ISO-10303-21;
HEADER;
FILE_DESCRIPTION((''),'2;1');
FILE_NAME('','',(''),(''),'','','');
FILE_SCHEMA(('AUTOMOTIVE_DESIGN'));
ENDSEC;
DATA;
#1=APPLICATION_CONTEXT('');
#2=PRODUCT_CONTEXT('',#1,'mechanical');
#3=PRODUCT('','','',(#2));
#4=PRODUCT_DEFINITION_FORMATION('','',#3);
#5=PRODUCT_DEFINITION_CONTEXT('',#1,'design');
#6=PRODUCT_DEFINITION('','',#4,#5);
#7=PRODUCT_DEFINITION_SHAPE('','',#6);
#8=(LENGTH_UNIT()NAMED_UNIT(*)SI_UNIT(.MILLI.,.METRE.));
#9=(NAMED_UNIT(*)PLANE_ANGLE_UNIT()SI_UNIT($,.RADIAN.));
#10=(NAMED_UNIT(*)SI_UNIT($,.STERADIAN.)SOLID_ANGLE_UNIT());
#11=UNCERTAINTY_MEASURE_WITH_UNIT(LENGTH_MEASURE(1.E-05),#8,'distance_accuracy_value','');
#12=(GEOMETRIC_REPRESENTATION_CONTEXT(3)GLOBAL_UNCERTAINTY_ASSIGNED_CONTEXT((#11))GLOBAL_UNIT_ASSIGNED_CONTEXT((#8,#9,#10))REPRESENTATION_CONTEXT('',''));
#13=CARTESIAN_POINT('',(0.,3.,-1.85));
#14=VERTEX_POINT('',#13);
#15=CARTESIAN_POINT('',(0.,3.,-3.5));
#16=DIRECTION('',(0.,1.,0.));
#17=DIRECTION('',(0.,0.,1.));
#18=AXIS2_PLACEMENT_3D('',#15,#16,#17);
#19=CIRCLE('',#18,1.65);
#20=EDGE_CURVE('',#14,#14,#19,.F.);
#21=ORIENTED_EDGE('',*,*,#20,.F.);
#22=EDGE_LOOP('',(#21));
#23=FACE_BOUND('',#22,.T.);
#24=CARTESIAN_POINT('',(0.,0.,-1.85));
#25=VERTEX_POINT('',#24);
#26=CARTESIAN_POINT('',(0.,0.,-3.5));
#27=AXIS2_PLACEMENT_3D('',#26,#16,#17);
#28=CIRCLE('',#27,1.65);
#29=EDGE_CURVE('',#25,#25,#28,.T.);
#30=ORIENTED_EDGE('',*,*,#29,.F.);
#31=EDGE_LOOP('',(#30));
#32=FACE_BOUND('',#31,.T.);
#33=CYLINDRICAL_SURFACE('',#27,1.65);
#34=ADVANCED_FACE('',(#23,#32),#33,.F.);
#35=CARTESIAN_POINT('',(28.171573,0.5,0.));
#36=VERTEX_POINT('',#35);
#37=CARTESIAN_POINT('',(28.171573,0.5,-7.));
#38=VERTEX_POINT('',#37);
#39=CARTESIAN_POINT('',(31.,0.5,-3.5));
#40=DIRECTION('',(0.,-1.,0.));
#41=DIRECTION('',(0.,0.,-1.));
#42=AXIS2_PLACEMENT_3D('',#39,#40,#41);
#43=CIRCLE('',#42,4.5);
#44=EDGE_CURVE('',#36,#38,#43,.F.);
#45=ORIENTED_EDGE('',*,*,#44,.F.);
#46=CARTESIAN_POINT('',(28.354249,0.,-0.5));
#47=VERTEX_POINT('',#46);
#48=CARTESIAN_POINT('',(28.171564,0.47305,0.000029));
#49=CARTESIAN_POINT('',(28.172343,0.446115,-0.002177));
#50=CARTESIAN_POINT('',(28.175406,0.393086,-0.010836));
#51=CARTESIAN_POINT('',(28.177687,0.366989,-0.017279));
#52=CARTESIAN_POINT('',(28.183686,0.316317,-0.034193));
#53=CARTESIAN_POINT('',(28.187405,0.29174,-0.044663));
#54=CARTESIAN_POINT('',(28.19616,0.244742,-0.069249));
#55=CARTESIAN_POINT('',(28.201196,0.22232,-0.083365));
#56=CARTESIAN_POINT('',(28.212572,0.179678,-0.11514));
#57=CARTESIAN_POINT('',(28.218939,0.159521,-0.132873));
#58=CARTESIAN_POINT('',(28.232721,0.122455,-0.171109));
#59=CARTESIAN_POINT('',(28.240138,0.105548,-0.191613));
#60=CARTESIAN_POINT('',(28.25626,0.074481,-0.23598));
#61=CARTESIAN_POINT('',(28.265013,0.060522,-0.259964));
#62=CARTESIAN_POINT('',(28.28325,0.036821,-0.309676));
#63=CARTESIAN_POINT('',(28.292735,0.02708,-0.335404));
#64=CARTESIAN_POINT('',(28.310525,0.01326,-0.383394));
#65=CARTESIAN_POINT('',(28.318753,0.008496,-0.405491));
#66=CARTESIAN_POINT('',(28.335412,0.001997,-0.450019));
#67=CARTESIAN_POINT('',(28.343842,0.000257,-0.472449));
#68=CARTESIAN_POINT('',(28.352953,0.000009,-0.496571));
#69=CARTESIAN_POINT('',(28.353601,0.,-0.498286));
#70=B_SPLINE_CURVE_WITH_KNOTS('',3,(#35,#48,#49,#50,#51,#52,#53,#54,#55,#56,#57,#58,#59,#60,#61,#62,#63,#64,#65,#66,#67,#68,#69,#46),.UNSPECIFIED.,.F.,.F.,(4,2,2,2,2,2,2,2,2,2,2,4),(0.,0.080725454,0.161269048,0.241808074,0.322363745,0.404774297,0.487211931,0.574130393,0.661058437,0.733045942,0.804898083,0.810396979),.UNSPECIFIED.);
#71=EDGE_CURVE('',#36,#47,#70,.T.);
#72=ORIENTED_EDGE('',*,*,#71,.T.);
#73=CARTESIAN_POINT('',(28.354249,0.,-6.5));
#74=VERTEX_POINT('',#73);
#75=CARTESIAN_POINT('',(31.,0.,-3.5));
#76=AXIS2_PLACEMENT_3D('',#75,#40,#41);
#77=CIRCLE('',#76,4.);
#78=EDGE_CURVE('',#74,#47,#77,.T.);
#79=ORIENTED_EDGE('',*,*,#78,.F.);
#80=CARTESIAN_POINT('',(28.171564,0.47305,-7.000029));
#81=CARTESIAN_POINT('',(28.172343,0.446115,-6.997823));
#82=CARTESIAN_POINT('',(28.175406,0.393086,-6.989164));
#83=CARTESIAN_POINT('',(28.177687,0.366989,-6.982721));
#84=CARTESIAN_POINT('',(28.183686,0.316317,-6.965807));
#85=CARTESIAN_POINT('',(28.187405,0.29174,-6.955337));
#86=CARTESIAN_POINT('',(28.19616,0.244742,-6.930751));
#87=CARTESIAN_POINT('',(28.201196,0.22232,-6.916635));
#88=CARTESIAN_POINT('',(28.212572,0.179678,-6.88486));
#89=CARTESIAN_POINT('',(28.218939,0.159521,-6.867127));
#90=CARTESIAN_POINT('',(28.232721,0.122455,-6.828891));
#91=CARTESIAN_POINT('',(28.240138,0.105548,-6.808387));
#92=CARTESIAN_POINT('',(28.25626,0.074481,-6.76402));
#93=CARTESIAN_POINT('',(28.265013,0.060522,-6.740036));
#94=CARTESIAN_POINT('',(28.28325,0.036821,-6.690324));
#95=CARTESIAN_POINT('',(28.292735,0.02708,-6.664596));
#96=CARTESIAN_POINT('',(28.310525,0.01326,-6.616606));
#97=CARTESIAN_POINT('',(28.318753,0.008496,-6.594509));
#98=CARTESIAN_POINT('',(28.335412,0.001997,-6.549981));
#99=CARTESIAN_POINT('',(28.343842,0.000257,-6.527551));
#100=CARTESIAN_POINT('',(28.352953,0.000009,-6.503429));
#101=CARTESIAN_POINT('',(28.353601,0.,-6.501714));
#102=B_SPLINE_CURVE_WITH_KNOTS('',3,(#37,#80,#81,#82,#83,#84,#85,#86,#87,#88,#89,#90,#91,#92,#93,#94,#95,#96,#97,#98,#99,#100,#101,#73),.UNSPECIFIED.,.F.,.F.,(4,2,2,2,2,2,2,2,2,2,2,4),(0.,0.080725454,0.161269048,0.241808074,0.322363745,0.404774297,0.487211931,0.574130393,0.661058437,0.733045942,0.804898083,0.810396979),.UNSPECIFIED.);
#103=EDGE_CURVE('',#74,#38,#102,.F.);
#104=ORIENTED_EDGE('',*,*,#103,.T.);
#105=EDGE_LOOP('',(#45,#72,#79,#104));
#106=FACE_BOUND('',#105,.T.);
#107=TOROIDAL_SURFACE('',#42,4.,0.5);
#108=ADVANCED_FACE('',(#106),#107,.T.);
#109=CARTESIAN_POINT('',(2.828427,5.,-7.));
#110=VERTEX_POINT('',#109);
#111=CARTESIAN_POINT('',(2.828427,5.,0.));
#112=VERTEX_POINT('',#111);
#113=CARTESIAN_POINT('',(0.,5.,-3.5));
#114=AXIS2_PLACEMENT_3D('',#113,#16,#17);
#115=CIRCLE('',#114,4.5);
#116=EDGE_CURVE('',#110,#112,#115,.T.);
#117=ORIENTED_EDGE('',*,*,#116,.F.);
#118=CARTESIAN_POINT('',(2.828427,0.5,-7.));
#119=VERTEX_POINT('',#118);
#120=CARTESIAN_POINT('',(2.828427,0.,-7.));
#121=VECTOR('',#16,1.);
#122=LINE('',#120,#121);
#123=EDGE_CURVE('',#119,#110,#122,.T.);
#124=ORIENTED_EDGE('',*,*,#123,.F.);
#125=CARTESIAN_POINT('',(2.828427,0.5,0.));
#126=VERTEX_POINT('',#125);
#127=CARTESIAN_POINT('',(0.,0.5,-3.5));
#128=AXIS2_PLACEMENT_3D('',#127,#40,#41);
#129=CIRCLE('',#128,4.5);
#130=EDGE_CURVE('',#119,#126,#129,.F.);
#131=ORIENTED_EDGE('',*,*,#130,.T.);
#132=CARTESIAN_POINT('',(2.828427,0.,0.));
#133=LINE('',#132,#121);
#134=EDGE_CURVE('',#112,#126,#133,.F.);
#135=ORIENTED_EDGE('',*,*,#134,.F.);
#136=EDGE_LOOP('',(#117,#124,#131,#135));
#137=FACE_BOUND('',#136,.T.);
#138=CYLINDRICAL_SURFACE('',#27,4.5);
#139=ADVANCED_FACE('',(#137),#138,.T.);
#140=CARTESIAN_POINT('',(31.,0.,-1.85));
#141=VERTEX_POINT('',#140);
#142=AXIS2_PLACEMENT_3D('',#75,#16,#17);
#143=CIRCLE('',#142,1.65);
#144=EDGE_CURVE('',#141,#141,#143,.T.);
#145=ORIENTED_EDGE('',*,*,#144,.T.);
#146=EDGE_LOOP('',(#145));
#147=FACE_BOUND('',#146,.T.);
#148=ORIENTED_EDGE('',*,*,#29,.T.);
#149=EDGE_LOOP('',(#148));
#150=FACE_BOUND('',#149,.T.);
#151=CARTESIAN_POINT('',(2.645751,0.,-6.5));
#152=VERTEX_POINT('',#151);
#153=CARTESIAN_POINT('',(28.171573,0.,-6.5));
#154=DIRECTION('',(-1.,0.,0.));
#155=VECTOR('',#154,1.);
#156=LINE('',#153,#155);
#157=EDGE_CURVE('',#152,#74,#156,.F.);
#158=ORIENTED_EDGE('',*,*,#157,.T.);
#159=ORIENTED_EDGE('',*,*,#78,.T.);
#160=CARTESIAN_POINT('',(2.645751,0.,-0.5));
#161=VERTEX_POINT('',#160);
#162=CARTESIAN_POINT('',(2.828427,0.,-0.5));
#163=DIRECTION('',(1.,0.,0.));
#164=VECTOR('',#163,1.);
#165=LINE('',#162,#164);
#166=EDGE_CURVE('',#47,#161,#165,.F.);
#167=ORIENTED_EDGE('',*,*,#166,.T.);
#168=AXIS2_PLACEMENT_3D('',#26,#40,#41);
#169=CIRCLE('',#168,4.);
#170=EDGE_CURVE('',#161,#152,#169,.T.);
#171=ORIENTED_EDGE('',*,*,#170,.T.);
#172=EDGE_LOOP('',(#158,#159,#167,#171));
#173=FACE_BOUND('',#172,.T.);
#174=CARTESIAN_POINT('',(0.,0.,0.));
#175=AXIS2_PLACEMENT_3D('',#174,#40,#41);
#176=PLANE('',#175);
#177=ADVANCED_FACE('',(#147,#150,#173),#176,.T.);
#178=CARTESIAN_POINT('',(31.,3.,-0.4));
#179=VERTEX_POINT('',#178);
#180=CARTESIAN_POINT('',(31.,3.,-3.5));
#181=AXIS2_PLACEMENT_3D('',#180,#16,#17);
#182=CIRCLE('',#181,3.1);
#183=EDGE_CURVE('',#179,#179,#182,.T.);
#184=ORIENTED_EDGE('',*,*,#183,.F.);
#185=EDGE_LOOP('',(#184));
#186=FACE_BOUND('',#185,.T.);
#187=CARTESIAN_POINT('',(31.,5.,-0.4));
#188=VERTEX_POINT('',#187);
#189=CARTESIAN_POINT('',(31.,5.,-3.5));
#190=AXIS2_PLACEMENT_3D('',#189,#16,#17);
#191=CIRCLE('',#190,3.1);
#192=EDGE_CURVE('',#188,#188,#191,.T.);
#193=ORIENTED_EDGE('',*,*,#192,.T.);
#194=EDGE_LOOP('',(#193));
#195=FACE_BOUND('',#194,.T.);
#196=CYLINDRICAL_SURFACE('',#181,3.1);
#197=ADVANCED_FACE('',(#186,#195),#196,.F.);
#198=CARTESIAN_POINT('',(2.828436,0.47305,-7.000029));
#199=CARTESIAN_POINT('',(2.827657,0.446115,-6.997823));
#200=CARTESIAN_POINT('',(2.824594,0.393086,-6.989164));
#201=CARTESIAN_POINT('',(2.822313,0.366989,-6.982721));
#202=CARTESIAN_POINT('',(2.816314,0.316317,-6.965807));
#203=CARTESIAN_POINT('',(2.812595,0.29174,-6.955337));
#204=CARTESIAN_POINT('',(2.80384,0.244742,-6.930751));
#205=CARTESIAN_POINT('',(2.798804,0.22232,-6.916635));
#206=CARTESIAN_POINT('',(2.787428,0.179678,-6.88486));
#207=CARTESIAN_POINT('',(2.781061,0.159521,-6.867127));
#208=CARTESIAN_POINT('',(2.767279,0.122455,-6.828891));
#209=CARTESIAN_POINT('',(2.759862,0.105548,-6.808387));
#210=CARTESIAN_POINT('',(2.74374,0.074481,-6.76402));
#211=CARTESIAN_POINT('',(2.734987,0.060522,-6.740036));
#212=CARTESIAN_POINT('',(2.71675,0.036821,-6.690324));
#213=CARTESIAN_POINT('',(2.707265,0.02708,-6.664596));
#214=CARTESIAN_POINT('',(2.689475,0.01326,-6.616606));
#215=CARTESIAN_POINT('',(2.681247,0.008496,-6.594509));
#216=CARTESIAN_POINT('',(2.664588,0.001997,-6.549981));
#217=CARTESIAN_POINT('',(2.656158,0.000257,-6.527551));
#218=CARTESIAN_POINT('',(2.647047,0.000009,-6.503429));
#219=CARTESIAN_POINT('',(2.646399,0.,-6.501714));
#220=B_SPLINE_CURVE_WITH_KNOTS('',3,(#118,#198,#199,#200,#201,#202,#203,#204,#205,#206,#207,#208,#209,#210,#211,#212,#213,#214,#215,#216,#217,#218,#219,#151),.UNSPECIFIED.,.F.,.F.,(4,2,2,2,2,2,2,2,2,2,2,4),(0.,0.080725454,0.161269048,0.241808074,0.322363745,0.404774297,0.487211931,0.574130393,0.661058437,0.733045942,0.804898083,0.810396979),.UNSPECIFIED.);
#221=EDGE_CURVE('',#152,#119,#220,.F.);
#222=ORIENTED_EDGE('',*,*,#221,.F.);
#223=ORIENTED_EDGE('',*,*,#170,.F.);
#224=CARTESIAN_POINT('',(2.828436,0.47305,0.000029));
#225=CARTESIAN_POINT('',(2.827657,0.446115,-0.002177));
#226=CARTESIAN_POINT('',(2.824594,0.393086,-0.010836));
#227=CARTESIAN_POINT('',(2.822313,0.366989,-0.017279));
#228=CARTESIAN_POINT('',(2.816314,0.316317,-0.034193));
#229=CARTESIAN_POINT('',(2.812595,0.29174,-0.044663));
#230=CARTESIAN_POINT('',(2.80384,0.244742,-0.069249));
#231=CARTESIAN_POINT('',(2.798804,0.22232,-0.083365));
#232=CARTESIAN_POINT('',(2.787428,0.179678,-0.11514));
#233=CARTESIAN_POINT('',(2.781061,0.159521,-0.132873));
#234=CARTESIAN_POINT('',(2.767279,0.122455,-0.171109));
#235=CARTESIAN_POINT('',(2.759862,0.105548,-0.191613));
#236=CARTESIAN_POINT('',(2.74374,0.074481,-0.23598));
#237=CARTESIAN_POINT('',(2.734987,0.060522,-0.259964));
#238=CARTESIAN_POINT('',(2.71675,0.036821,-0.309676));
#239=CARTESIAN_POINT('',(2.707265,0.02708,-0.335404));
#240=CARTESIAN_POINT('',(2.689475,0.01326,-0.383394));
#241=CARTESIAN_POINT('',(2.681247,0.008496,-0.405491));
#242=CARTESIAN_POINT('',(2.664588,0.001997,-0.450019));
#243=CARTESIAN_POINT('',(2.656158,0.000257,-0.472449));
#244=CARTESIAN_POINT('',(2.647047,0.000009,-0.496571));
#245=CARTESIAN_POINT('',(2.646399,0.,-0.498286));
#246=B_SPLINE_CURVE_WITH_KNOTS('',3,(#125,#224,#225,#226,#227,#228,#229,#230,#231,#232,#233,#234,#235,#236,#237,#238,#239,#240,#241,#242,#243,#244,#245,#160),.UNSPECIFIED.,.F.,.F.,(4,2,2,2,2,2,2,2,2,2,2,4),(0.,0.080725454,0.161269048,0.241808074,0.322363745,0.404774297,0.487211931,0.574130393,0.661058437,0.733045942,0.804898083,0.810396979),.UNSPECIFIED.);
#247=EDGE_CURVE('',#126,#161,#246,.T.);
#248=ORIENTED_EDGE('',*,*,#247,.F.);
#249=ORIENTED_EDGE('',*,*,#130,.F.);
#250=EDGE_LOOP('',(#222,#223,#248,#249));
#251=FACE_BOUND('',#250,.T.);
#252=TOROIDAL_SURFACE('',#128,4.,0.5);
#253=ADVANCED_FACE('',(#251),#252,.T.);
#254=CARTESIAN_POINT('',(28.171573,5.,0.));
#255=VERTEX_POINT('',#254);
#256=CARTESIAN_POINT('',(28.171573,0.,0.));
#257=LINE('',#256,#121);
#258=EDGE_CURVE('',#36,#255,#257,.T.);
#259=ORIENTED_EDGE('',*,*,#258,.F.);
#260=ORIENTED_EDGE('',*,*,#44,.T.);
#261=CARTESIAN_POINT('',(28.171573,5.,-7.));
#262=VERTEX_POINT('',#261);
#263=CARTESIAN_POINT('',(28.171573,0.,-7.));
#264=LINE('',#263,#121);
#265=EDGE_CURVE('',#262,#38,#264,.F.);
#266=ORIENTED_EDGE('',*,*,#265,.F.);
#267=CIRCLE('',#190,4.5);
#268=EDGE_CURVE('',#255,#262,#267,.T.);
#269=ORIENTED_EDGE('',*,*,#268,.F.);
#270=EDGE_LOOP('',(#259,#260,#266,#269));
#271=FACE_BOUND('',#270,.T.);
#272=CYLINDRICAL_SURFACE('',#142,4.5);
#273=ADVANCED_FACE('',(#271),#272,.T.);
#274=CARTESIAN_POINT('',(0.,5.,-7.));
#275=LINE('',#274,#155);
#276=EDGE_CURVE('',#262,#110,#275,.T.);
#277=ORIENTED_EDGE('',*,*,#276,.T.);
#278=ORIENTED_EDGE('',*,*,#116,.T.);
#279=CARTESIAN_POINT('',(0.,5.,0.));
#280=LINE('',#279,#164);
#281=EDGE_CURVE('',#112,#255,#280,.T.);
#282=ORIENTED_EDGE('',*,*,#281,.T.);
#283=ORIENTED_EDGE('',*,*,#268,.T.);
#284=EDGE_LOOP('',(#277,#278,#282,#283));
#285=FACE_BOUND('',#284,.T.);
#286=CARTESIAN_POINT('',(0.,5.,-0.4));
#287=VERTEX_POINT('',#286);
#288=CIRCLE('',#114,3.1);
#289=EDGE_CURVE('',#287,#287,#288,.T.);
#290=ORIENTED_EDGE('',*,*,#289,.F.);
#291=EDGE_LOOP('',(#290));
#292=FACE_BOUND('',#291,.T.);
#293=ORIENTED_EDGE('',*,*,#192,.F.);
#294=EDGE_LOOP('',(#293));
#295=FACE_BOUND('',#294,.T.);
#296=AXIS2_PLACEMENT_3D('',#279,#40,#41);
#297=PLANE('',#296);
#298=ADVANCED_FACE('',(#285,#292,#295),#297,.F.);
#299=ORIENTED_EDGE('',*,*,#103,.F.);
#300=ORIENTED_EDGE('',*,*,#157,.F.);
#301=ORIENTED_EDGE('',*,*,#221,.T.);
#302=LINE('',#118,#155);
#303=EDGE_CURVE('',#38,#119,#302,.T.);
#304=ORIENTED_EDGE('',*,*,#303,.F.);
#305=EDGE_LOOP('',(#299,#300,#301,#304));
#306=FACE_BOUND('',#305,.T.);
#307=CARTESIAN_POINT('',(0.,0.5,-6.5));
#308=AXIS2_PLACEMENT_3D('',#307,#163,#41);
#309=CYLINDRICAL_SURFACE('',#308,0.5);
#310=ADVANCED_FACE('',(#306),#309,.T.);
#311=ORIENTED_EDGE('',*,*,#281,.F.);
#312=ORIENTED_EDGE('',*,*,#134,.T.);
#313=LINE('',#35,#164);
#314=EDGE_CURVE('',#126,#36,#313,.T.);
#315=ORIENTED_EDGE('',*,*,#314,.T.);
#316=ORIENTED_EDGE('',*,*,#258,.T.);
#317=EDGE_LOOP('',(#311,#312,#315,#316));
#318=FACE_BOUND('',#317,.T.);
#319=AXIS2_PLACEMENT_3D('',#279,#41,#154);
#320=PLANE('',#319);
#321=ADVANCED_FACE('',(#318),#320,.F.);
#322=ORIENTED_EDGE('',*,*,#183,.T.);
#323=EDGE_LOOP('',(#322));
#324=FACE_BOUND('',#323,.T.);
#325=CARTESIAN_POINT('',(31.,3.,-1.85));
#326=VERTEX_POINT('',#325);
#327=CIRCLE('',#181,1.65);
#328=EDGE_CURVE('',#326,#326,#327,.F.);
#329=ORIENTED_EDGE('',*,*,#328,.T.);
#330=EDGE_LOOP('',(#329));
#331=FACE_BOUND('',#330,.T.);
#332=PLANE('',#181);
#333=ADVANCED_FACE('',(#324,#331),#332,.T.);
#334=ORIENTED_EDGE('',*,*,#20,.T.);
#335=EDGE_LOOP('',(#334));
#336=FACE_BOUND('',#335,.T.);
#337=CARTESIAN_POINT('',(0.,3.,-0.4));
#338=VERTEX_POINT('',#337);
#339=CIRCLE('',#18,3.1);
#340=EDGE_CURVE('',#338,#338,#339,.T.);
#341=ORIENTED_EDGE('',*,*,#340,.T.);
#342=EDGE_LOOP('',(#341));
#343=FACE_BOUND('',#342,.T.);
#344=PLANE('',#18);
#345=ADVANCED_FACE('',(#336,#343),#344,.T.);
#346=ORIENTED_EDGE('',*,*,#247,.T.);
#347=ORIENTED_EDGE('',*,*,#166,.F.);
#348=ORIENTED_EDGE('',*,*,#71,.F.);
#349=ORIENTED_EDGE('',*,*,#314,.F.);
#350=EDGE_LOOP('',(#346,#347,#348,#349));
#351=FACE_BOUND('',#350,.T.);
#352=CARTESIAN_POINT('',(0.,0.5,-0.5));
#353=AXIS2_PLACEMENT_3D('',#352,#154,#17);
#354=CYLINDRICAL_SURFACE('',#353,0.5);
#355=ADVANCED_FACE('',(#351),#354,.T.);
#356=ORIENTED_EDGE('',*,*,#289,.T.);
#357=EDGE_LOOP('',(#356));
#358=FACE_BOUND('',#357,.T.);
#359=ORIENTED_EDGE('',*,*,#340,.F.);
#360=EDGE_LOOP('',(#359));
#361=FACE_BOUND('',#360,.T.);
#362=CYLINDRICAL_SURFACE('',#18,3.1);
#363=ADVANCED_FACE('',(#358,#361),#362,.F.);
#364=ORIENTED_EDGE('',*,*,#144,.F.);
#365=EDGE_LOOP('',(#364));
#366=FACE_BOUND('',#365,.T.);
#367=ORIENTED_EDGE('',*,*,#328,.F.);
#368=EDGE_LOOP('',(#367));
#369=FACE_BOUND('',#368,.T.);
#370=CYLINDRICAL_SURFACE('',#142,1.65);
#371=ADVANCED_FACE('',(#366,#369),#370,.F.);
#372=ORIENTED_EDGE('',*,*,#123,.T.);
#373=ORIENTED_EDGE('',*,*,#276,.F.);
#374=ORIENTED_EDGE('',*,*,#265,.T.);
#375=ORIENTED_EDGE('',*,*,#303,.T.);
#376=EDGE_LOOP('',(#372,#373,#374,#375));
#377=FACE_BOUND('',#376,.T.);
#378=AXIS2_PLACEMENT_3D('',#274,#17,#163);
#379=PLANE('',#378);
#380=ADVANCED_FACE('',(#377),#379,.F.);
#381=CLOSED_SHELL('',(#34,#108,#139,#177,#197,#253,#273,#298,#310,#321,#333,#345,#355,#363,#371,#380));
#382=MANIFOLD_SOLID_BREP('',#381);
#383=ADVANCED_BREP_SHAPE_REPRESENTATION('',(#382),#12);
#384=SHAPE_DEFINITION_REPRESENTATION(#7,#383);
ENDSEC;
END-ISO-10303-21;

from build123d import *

# Parameters (mm, degrees)
SKETCH1_W           = 31
SKETCH1_H           = 7
BOSS_EXTRUDE1_DEPTH = 5
SKETCH2_R           = 4.5
BOSS_EXTRUDE2_DEPTH = 5
SKETCH3_R           = 1.65
CUT_EXTRUDE1_DEPTH  = 37.732138517
SKETCH4_R           = 3.1
CUT_EXTRUDE2_DEPTH  = 2
FILLET1_R           = 0.5


with BuildPart() as part:
    # Sketch1 → Boss-Extrude1 (new body)
    with BuildSketch(Plane(origin=(0, 0, 0), x_dir=(1, 0, 0), z_dir=(0, 1, 0))):
        with Locations((15.5, 3.5)):
            Rectangle(SKETCH1_W, SKETCH1_H)
    extrude(amount=BOSS_EXTRUDE1_DEPTH)

    # Sketch2 → Boss-Extrude2 (add)
    with BuildSketch(Plane(origin=(0, 5, 0), x_dir=(1, 0, 0), z_dir=(0, 1, 0))):
        with Locations((31, 3.5)):
            Circle(SKETCH2_R)
        with Locations((0, 3.5)):
            Circle(SKETCH2_R)
    extrude(amount=-BOSS_EXTRUDE2_DEPTH)

    # Sketch3 → Cut-Extrude1 (cut, through all)
    with BuildSketch(Plane(origin=(0, 5, 0), x_dir=(1, 0, 0), z_dir=(0, 1, 0))):
        with Locations(Location((0, 3.5, 0), (0, 0, 270))):
            Circle(SKETCH3_R)
        with Locations(Location((31, 3.5, 0), (0, 0, 270))):
            Circle(SKETCH3_R)
    extrude(amount=-CUT_EXTRUDE1_DEPTH, mode=Mode.SUBTRACT)

    # Sketch4 → Cut-Extrude2 (cut)
    with BuildSketch(Plane(origin=(0, 5, 0), x_dir=(1, 0, 0), z_dir=(0, 1, 0))):
        with Locations(Location((0, 3.5, 0), (0, 0, 270))):
            Circle(SKETCH4_R)
        with Locations(Location((31, 3.5, 0), (0, 0, 270))):
            Circle(SKETCH4_R)
    extrude(amount=-CUT_EXTRUDE2_DEPTH, mode=Mode.SUBTRACT)

    # Fillet1
    fillet1_edges = [part.edges().sort_by_distance(p)[0] for p in [
        (15.5, 0, -7),
        (35.5, 0, -3.5),
        (15.5, 0, 0),
        (-4.5, 0, -3.5),
    ]]
    fillet(fillet1_edges, radius=FILLET1_R)


solid = part.part
